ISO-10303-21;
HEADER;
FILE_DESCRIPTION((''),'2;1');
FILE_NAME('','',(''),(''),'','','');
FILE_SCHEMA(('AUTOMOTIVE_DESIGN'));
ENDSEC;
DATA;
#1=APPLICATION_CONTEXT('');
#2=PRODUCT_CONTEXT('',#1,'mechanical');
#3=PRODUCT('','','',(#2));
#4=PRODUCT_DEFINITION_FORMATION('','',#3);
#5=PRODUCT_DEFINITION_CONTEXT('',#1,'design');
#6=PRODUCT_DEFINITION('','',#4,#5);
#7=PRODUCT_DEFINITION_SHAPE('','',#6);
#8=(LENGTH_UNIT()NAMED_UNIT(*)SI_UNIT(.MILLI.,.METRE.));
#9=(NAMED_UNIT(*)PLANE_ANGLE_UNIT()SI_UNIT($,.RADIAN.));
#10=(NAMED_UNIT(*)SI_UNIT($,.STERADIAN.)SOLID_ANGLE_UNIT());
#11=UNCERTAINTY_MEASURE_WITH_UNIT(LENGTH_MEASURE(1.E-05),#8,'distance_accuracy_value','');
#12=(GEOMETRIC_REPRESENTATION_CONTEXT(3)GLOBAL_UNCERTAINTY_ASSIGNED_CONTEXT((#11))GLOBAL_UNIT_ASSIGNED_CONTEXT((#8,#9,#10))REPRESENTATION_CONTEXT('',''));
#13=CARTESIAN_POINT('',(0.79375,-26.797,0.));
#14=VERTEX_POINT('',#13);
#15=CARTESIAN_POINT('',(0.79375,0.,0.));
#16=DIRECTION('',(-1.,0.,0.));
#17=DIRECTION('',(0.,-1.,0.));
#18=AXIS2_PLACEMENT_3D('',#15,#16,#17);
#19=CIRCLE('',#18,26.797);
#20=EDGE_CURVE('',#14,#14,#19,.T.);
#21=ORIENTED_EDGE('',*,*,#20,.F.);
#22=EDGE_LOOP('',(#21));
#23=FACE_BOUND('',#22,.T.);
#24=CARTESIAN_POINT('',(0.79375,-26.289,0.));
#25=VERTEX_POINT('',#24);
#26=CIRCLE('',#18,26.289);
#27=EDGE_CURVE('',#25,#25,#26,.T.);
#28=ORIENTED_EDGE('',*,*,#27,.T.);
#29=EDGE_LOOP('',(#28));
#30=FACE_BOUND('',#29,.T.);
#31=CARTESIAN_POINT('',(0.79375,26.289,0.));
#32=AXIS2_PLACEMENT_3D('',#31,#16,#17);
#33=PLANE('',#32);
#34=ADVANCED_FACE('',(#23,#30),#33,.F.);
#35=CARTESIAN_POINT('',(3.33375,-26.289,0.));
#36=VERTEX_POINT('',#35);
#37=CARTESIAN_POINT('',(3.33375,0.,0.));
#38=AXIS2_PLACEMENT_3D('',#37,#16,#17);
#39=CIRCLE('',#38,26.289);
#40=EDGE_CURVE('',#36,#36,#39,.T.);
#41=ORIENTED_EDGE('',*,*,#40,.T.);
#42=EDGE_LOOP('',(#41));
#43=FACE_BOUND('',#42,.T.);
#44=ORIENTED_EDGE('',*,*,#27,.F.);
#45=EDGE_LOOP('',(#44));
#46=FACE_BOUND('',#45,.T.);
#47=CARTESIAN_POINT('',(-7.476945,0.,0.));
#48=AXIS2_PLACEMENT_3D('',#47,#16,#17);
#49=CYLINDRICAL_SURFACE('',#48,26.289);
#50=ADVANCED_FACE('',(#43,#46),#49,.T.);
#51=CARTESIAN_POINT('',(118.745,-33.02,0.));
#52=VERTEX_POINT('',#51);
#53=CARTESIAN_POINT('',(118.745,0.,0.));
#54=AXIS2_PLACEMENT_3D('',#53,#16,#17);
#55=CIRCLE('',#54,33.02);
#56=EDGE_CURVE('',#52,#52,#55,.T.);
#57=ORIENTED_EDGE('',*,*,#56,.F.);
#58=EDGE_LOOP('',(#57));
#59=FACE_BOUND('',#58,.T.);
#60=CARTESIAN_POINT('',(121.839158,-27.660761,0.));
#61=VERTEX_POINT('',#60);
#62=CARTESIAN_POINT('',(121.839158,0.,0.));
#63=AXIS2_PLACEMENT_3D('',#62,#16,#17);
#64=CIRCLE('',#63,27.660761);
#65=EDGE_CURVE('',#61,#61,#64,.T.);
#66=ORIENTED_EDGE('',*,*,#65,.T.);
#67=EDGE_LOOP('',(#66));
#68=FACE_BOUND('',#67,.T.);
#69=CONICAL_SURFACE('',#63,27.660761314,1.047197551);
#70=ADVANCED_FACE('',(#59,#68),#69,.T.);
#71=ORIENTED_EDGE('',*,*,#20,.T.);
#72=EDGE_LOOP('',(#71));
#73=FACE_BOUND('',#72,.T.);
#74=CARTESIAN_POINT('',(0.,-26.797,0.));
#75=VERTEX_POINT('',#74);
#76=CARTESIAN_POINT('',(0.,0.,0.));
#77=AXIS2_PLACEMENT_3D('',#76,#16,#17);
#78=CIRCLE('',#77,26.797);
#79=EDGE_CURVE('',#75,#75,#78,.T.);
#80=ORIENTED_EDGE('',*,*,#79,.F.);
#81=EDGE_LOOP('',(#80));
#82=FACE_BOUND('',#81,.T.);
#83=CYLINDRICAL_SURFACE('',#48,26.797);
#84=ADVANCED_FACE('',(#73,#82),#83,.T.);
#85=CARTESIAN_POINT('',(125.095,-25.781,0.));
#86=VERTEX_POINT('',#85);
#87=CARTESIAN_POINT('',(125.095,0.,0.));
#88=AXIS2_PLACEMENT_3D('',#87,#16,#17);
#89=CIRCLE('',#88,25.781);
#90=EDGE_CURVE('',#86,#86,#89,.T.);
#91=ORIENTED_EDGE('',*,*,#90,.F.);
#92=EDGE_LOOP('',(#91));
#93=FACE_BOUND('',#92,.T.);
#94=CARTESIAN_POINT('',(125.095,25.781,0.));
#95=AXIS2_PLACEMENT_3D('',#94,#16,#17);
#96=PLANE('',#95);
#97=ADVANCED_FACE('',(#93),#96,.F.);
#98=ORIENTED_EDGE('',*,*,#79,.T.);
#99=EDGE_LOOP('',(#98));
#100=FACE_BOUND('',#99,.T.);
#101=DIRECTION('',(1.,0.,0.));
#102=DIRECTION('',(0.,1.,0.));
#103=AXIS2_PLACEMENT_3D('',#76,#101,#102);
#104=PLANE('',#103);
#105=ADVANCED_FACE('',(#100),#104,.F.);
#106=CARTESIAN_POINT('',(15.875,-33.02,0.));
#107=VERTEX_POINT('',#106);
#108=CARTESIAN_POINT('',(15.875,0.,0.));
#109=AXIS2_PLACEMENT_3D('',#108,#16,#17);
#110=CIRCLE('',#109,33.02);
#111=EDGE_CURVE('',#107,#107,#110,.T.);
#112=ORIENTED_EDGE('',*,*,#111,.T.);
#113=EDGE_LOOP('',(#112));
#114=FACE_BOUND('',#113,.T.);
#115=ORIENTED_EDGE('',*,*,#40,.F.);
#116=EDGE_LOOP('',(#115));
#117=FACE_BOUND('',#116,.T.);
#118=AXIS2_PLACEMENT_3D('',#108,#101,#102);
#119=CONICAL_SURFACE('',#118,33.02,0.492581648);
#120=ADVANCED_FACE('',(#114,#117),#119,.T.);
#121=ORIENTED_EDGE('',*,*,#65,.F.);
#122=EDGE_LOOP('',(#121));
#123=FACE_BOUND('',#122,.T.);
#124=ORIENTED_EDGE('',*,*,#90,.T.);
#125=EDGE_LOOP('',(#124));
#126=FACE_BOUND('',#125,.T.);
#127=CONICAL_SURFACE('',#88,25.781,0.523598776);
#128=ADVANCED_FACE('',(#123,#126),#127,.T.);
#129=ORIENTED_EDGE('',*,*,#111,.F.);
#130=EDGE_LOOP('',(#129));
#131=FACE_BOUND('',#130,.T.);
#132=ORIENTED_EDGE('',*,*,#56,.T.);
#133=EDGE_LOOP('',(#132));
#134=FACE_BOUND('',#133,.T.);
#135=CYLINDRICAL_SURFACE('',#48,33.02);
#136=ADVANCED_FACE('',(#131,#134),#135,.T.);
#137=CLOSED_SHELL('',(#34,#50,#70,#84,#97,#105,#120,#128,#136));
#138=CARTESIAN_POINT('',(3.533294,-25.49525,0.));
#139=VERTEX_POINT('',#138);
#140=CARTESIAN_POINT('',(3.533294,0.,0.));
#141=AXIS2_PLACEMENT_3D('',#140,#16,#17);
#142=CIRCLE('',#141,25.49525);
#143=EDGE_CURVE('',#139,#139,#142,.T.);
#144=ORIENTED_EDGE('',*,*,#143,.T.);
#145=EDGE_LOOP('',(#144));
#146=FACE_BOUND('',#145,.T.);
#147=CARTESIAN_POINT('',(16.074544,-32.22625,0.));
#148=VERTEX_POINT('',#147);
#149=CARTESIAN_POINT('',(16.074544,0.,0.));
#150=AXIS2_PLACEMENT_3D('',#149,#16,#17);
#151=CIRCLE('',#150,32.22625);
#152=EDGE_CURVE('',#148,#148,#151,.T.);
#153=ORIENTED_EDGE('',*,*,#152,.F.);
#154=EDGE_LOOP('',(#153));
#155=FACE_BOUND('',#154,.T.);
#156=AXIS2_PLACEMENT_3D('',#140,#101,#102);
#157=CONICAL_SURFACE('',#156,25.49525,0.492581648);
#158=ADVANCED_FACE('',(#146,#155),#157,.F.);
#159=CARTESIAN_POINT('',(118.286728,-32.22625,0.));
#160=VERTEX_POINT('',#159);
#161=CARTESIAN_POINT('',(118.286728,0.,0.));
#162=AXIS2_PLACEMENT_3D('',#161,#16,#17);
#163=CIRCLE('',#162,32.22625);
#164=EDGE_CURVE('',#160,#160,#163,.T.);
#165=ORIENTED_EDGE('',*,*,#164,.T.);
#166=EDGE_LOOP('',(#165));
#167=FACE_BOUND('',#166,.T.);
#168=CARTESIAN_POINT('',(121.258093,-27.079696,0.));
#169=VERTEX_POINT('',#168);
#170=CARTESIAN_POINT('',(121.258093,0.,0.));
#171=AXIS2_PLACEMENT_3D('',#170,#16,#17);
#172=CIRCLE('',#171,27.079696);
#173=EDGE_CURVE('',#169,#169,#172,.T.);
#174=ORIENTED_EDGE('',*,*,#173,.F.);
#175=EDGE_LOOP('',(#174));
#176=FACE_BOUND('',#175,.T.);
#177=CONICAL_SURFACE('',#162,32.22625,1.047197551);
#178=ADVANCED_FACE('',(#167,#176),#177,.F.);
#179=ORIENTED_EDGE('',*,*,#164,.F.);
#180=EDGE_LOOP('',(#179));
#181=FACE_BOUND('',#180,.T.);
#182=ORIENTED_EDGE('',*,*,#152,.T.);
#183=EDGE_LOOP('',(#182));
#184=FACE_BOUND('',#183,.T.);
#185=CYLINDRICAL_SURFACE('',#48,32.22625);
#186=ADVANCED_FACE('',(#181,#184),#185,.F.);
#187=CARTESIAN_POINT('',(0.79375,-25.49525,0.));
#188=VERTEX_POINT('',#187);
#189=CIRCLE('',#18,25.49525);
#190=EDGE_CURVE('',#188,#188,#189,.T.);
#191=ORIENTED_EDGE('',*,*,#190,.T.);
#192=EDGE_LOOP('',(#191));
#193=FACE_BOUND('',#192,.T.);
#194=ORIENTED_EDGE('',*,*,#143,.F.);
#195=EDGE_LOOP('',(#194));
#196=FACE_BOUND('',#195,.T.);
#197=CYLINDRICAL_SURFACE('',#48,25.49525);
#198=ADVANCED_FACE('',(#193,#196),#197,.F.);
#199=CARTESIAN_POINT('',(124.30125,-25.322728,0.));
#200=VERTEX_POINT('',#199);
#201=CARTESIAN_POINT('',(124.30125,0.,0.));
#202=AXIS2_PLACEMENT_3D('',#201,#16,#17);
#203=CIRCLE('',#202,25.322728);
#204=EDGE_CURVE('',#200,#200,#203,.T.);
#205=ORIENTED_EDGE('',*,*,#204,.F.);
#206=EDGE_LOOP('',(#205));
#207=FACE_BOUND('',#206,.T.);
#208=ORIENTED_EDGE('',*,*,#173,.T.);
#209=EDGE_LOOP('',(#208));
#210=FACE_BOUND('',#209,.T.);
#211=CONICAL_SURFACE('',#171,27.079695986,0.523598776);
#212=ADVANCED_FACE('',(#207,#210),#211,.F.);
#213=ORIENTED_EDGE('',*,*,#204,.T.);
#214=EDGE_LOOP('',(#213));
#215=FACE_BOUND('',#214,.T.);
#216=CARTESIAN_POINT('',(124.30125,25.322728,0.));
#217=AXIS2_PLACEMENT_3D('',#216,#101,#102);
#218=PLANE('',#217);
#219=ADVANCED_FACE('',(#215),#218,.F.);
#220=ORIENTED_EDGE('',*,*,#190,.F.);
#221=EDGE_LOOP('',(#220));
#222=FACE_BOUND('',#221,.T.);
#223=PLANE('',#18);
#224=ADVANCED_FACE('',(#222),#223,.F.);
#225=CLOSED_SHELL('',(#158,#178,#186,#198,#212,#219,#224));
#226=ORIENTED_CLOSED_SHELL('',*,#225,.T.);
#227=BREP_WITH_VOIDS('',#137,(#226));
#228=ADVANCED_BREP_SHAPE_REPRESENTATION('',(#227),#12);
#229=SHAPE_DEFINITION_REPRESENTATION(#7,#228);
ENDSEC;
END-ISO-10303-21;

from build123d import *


with BuildPart() as part:
    # Sketch1 → Revolve1 (revolve)
    with BuildSketch(Plane.XY):
        Polygon((0, 0), (0, 26.797), (0.79375, 26.797), (0.79375, 26.289), (3.33375, 26.289), (15.875, 33.02), (118.745, 33.02), (121.839157898, 27.660761314), (125.095, 25.781), (125.095, 0), (124.30125, 0), (124.30125, 25.322728224), (121.258092569, 27.079695986), (118.286728224, 32.22625), (16.074544487, 32.22625), (3.533294487, 25.49525), (0.79375, 25.49525), (0.79375, 0), align=None)
    revolve(axis=Axis((-7.476944994, 0, 0), (1, 0, 0)))


solid = part.part
